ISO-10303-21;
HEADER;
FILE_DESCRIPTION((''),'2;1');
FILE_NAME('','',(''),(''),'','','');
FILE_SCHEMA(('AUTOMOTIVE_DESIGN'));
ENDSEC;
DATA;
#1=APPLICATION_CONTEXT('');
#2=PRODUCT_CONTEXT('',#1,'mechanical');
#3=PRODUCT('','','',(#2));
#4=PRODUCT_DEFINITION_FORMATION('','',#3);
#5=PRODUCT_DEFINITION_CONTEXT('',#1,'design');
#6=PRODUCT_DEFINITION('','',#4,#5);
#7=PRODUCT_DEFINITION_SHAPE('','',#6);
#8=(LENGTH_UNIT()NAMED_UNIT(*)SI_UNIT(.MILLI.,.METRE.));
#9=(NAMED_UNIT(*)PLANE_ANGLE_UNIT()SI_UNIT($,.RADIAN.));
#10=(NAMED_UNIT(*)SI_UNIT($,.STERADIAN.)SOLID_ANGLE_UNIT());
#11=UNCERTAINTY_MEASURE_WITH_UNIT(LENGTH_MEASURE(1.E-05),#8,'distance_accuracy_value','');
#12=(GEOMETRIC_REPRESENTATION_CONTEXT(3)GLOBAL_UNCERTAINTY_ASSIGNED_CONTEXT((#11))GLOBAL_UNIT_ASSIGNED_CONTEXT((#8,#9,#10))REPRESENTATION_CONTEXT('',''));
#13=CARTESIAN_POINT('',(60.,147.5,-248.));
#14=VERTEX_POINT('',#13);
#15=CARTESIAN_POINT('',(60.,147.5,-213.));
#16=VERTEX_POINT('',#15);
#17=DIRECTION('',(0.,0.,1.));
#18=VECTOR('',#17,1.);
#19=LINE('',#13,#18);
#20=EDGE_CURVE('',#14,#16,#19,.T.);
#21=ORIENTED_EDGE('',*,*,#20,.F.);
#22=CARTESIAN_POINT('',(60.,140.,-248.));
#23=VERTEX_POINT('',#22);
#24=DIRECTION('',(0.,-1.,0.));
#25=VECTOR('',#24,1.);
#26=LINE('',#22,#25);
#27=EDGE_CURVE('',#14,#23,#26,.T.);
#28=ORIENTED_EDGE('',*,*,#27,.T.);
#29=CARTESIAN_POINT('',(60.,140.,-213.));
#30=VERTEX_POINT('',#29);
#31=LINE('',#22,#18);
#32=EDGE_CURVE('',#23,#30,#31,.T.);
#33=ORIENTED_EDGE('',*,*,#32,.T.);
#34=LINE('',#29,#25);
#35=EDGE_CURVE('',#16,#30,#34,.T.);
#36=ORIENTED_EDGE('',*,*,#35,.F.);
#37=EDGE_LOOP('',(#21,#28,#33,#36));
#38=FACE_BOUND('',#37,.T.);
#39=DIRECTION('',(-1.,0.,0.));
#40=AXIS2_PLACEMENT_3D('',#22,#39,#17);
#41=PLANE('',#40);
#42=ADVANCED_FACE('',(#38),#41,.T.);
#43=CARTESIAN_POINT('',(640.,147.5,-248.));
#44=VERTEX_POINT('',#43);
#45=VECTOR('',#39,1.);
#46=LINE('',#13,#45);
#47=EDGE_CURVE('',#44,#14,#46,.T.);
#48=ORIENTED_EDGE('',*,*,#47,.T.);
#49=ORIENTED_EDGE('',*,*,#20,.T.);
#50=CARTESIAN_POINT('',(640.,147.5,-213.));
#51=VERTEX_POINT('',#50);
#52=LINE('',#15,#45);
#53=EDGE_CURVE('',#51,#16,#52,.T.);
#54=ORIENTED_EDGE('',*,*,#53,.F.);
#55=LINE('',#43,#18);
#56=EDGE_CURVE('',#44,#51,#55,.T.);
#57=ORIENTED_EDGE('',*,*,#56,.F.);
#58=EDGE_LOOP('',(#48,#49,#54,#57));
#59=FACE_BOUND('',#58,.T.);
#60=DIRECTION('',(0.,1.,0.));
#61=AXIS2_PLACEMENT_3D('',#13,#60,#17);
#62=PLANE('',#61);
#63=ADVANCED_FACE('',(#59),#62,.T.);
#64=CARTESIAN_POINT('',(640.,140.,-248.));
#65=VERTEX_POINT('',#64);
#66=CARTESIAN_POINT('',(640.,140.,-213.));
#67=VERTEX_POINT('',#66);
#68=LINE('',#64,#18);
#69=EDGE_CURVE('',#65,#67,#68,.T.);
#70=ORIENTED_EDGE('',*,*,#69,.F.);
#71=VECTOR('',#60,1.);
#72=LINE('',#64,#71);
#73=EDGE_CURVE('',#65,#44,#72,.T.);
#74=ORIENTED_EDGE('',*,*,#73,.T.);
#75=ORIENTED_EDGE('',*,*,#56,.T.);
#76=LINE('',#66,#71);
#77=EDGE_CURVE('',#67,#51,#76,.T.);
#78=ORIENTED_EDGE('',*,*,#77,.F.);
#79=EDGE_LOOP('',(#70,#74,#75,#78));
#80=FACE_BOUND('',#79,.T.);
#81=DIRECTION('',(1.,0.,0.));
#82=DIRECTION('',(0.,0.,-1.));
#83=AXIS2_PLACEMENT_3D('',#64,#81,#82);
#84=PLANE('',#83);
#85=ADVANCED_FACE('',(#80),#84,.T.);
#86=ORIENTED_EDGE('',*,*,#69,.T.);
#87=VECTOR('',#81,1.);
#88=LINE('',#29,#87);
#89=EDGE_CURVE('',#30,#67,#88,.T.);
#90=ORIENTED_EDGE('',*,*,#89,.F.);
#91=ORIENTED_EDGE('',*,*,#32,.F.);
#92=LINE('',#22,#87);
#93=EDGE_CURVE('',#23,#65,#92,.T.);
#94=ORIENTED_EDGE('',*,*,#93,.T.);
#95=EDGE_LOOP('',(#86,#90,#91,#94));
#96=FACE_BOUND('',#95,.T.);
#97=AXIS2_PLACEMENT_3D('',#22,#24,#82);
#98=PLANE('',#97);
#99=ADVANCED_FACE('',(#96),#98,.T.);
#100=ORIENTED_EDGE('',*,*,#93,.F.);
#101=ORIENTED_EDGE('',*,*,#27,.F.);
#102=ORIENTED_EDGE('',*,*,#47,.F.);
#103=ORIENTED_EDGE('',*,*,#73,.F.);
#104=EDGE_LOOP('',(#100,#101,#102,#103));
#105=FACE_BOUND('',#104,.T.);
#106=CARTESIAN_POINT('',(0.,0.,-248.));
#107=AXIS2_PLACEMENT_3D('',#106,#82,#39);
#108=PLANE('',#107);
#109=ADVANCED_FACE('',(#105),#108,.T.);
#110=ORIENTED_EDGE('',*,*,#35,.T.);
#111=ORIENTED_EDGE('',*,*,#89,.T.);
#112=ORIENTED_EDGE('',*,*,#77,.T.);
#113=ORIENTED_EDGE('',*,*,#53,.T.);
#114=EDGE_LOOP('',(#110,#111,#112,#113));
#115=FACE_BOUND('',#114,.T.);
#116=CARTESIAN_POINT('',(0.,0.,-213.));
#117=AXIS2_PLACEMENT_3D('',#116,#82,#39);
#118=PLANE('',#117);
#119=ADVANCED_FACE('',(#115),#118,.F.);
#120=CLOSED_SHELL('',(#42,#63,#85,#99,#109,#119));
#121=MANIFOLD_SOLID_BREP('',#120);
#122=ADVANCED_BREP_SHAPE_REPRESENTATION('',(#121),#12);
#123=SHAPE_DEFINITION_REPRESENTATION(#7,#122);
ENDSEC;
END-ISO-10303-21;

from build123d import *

# Parameters (mm, degrees)
PACK_PANO_KLEMENS_RAYI_1_START = -213
SKETCH1_W                      = 580
SKETCH1_H                      = 7.5
PACK_PANO_KLEMENS_RAYI_1_DEPTH = 35


with BuildPart() as part:
    # Sketch1 → PACK_pano_klemens_rayi_1 (new body)
    with BuildSketch(Plane.XY.offset(PACK_PANO_KLEMENS_RAYI_1_START)):
        with Locations((350, 143.75)):
            Rectangle(SKETCH1_W, SKETCH1_H)
    extrude(amount=-PACK_PANO_KLEMENS_RAYI_1_DEPTH)


solid = part.part
